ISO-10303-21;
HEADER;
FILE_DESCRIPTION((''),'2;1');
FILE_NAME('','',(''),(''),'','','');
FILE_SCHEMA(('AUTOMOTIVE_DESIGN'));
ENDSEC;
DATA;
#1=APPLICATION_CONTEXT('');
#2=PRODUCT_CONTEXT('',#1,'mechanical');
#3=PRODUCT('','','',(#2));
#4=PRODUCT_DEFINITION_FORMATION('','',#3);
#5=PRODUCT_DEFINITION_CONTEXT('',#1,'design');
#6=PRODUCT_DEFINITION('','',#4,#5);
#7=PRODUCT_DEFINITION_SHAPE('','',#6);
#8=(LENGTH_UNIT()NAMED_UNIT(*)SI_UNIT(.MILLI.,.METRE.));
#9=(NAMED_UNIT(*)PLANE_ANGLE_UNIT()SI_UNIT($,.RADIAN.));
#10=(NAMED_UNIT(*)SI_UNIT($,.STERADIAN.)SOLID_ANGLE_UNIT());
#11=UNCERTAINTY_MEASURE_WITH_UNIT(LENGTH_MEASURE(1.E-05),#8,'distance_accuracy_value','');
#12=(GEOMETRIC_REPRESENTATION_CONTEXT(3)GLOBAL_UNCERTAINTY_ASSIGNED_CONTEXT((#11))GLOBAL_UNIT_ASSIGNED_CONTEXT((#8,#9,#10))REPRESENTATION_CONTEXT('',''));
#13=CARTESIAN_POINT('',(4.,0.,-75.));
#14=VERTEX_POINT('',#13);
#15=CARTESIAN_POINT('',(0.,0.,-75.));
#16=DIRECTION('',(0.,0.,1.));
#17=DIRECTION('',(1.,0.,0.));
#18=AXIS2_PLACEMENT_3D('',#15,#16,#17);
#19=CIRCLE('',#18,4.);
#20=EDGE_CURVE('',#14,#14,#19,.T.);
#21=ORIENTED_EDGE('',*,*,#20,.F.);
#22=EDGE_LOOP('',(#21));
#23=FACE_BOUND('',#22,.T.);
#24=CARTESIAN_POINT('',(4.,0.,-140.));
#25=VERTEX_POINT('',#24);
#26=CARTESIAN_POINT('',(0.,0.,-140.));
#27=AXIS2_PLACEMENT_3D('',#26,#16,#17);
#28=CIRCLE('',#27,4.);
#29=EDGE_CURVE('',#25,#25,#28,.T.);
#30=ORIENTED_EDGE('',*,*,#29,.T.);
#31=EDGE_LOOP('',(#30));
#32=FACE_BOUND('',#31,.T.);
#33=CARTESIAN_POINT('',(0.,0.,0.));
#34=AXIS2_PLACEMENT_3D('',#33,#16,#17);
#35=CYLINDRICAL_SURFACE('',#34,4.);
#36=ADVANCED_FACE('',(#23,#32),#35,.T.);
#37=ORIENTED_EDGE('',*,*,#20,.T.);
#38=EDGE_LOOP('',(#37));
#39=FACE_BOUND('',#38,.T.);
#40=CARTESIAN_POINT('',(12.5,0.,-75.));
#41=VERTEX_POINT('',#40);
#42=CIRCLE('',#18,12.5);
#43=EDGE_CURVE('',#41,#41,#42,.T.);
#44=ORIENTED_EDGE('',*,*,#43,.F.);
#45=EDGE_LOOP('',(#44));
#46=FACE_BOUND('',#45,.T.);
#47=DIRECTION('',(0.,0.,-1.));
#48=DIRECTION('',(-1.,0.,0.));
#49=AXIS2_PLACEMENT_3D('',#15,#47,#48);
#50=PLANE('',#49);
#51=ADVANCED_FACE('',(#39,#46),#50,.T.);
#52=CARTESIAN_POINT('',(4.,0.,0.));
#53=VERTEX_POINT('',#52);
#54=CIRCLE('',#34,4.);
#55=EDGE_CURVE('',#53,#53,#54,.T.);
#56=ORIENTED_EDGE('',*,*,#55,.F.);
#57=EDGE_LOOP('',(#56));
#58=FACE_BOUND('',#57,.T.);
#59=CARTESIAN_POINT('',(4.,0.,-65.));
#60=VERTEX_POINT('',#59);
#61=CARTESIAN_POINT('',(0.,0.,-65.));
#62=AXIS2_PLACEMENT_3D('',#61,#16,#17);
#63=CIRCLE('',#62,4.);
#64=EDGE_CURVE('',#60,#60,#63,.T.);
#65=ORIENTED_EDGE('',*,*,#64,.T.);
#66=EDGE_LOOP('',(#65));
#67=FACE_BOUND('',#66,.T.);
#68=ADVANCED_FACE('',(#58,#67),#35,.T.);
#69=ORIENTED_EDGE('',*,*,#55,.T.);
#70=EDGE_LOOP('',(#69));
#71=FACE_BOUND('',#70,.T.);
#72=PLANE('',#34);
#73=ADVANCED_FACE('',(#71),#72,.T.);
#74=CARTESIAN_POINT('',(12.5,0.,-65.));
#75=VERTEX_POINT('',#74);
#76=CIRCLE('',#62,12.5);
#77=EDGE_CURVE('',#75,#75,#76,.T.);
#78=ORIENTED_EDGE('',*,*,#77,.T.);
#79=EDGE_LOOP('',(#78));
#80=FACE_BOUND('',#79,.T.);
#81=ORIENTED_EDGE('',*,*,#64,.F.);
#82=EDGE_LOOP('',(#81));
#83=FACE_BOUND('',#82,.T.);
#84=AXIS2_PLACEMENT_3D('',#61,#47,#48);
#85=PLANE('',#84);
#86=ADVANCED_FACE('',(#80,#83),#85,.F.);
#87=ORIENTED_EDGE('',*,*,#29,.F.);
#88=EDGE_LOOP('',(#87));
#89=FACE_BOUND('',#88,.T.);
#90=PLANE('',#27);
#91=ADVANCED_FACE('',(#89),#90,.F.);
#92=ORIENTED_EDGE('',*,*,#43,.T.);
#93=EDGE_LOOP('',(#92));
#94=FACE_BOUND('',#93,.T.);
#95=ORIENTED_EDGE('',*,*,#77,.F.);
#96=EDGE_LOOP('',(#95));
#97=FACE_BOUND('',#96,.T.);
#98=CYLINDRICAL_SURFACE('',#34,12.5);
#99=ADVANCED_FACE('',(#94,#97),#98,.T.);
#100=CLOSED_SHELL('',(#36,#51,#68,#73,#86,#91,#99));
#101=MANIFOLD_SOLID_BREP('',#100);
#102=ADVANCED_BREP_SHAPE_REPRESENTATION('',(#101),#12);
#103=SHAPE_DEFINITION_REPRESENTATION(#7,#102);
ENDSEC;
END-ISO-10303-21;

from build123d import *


with BuildPart() as part:
    # Szkic1 → Obrót1 (revolve)
    with BuildSketch(Plane(origin=(0, 0, 0), x_dir=(1, 0, 0), z_dir=(0, 1, 0))):
        Polygon((-12.5, 75), (-12.5, 65), (-4, 65), (-4, 0), (0, 0), (0, 140), (-4, 140), (-4, 75), align=None)
    revolve(axis=Axis((0, 0, 0), (0, 0, -1)))


solid = part.part
